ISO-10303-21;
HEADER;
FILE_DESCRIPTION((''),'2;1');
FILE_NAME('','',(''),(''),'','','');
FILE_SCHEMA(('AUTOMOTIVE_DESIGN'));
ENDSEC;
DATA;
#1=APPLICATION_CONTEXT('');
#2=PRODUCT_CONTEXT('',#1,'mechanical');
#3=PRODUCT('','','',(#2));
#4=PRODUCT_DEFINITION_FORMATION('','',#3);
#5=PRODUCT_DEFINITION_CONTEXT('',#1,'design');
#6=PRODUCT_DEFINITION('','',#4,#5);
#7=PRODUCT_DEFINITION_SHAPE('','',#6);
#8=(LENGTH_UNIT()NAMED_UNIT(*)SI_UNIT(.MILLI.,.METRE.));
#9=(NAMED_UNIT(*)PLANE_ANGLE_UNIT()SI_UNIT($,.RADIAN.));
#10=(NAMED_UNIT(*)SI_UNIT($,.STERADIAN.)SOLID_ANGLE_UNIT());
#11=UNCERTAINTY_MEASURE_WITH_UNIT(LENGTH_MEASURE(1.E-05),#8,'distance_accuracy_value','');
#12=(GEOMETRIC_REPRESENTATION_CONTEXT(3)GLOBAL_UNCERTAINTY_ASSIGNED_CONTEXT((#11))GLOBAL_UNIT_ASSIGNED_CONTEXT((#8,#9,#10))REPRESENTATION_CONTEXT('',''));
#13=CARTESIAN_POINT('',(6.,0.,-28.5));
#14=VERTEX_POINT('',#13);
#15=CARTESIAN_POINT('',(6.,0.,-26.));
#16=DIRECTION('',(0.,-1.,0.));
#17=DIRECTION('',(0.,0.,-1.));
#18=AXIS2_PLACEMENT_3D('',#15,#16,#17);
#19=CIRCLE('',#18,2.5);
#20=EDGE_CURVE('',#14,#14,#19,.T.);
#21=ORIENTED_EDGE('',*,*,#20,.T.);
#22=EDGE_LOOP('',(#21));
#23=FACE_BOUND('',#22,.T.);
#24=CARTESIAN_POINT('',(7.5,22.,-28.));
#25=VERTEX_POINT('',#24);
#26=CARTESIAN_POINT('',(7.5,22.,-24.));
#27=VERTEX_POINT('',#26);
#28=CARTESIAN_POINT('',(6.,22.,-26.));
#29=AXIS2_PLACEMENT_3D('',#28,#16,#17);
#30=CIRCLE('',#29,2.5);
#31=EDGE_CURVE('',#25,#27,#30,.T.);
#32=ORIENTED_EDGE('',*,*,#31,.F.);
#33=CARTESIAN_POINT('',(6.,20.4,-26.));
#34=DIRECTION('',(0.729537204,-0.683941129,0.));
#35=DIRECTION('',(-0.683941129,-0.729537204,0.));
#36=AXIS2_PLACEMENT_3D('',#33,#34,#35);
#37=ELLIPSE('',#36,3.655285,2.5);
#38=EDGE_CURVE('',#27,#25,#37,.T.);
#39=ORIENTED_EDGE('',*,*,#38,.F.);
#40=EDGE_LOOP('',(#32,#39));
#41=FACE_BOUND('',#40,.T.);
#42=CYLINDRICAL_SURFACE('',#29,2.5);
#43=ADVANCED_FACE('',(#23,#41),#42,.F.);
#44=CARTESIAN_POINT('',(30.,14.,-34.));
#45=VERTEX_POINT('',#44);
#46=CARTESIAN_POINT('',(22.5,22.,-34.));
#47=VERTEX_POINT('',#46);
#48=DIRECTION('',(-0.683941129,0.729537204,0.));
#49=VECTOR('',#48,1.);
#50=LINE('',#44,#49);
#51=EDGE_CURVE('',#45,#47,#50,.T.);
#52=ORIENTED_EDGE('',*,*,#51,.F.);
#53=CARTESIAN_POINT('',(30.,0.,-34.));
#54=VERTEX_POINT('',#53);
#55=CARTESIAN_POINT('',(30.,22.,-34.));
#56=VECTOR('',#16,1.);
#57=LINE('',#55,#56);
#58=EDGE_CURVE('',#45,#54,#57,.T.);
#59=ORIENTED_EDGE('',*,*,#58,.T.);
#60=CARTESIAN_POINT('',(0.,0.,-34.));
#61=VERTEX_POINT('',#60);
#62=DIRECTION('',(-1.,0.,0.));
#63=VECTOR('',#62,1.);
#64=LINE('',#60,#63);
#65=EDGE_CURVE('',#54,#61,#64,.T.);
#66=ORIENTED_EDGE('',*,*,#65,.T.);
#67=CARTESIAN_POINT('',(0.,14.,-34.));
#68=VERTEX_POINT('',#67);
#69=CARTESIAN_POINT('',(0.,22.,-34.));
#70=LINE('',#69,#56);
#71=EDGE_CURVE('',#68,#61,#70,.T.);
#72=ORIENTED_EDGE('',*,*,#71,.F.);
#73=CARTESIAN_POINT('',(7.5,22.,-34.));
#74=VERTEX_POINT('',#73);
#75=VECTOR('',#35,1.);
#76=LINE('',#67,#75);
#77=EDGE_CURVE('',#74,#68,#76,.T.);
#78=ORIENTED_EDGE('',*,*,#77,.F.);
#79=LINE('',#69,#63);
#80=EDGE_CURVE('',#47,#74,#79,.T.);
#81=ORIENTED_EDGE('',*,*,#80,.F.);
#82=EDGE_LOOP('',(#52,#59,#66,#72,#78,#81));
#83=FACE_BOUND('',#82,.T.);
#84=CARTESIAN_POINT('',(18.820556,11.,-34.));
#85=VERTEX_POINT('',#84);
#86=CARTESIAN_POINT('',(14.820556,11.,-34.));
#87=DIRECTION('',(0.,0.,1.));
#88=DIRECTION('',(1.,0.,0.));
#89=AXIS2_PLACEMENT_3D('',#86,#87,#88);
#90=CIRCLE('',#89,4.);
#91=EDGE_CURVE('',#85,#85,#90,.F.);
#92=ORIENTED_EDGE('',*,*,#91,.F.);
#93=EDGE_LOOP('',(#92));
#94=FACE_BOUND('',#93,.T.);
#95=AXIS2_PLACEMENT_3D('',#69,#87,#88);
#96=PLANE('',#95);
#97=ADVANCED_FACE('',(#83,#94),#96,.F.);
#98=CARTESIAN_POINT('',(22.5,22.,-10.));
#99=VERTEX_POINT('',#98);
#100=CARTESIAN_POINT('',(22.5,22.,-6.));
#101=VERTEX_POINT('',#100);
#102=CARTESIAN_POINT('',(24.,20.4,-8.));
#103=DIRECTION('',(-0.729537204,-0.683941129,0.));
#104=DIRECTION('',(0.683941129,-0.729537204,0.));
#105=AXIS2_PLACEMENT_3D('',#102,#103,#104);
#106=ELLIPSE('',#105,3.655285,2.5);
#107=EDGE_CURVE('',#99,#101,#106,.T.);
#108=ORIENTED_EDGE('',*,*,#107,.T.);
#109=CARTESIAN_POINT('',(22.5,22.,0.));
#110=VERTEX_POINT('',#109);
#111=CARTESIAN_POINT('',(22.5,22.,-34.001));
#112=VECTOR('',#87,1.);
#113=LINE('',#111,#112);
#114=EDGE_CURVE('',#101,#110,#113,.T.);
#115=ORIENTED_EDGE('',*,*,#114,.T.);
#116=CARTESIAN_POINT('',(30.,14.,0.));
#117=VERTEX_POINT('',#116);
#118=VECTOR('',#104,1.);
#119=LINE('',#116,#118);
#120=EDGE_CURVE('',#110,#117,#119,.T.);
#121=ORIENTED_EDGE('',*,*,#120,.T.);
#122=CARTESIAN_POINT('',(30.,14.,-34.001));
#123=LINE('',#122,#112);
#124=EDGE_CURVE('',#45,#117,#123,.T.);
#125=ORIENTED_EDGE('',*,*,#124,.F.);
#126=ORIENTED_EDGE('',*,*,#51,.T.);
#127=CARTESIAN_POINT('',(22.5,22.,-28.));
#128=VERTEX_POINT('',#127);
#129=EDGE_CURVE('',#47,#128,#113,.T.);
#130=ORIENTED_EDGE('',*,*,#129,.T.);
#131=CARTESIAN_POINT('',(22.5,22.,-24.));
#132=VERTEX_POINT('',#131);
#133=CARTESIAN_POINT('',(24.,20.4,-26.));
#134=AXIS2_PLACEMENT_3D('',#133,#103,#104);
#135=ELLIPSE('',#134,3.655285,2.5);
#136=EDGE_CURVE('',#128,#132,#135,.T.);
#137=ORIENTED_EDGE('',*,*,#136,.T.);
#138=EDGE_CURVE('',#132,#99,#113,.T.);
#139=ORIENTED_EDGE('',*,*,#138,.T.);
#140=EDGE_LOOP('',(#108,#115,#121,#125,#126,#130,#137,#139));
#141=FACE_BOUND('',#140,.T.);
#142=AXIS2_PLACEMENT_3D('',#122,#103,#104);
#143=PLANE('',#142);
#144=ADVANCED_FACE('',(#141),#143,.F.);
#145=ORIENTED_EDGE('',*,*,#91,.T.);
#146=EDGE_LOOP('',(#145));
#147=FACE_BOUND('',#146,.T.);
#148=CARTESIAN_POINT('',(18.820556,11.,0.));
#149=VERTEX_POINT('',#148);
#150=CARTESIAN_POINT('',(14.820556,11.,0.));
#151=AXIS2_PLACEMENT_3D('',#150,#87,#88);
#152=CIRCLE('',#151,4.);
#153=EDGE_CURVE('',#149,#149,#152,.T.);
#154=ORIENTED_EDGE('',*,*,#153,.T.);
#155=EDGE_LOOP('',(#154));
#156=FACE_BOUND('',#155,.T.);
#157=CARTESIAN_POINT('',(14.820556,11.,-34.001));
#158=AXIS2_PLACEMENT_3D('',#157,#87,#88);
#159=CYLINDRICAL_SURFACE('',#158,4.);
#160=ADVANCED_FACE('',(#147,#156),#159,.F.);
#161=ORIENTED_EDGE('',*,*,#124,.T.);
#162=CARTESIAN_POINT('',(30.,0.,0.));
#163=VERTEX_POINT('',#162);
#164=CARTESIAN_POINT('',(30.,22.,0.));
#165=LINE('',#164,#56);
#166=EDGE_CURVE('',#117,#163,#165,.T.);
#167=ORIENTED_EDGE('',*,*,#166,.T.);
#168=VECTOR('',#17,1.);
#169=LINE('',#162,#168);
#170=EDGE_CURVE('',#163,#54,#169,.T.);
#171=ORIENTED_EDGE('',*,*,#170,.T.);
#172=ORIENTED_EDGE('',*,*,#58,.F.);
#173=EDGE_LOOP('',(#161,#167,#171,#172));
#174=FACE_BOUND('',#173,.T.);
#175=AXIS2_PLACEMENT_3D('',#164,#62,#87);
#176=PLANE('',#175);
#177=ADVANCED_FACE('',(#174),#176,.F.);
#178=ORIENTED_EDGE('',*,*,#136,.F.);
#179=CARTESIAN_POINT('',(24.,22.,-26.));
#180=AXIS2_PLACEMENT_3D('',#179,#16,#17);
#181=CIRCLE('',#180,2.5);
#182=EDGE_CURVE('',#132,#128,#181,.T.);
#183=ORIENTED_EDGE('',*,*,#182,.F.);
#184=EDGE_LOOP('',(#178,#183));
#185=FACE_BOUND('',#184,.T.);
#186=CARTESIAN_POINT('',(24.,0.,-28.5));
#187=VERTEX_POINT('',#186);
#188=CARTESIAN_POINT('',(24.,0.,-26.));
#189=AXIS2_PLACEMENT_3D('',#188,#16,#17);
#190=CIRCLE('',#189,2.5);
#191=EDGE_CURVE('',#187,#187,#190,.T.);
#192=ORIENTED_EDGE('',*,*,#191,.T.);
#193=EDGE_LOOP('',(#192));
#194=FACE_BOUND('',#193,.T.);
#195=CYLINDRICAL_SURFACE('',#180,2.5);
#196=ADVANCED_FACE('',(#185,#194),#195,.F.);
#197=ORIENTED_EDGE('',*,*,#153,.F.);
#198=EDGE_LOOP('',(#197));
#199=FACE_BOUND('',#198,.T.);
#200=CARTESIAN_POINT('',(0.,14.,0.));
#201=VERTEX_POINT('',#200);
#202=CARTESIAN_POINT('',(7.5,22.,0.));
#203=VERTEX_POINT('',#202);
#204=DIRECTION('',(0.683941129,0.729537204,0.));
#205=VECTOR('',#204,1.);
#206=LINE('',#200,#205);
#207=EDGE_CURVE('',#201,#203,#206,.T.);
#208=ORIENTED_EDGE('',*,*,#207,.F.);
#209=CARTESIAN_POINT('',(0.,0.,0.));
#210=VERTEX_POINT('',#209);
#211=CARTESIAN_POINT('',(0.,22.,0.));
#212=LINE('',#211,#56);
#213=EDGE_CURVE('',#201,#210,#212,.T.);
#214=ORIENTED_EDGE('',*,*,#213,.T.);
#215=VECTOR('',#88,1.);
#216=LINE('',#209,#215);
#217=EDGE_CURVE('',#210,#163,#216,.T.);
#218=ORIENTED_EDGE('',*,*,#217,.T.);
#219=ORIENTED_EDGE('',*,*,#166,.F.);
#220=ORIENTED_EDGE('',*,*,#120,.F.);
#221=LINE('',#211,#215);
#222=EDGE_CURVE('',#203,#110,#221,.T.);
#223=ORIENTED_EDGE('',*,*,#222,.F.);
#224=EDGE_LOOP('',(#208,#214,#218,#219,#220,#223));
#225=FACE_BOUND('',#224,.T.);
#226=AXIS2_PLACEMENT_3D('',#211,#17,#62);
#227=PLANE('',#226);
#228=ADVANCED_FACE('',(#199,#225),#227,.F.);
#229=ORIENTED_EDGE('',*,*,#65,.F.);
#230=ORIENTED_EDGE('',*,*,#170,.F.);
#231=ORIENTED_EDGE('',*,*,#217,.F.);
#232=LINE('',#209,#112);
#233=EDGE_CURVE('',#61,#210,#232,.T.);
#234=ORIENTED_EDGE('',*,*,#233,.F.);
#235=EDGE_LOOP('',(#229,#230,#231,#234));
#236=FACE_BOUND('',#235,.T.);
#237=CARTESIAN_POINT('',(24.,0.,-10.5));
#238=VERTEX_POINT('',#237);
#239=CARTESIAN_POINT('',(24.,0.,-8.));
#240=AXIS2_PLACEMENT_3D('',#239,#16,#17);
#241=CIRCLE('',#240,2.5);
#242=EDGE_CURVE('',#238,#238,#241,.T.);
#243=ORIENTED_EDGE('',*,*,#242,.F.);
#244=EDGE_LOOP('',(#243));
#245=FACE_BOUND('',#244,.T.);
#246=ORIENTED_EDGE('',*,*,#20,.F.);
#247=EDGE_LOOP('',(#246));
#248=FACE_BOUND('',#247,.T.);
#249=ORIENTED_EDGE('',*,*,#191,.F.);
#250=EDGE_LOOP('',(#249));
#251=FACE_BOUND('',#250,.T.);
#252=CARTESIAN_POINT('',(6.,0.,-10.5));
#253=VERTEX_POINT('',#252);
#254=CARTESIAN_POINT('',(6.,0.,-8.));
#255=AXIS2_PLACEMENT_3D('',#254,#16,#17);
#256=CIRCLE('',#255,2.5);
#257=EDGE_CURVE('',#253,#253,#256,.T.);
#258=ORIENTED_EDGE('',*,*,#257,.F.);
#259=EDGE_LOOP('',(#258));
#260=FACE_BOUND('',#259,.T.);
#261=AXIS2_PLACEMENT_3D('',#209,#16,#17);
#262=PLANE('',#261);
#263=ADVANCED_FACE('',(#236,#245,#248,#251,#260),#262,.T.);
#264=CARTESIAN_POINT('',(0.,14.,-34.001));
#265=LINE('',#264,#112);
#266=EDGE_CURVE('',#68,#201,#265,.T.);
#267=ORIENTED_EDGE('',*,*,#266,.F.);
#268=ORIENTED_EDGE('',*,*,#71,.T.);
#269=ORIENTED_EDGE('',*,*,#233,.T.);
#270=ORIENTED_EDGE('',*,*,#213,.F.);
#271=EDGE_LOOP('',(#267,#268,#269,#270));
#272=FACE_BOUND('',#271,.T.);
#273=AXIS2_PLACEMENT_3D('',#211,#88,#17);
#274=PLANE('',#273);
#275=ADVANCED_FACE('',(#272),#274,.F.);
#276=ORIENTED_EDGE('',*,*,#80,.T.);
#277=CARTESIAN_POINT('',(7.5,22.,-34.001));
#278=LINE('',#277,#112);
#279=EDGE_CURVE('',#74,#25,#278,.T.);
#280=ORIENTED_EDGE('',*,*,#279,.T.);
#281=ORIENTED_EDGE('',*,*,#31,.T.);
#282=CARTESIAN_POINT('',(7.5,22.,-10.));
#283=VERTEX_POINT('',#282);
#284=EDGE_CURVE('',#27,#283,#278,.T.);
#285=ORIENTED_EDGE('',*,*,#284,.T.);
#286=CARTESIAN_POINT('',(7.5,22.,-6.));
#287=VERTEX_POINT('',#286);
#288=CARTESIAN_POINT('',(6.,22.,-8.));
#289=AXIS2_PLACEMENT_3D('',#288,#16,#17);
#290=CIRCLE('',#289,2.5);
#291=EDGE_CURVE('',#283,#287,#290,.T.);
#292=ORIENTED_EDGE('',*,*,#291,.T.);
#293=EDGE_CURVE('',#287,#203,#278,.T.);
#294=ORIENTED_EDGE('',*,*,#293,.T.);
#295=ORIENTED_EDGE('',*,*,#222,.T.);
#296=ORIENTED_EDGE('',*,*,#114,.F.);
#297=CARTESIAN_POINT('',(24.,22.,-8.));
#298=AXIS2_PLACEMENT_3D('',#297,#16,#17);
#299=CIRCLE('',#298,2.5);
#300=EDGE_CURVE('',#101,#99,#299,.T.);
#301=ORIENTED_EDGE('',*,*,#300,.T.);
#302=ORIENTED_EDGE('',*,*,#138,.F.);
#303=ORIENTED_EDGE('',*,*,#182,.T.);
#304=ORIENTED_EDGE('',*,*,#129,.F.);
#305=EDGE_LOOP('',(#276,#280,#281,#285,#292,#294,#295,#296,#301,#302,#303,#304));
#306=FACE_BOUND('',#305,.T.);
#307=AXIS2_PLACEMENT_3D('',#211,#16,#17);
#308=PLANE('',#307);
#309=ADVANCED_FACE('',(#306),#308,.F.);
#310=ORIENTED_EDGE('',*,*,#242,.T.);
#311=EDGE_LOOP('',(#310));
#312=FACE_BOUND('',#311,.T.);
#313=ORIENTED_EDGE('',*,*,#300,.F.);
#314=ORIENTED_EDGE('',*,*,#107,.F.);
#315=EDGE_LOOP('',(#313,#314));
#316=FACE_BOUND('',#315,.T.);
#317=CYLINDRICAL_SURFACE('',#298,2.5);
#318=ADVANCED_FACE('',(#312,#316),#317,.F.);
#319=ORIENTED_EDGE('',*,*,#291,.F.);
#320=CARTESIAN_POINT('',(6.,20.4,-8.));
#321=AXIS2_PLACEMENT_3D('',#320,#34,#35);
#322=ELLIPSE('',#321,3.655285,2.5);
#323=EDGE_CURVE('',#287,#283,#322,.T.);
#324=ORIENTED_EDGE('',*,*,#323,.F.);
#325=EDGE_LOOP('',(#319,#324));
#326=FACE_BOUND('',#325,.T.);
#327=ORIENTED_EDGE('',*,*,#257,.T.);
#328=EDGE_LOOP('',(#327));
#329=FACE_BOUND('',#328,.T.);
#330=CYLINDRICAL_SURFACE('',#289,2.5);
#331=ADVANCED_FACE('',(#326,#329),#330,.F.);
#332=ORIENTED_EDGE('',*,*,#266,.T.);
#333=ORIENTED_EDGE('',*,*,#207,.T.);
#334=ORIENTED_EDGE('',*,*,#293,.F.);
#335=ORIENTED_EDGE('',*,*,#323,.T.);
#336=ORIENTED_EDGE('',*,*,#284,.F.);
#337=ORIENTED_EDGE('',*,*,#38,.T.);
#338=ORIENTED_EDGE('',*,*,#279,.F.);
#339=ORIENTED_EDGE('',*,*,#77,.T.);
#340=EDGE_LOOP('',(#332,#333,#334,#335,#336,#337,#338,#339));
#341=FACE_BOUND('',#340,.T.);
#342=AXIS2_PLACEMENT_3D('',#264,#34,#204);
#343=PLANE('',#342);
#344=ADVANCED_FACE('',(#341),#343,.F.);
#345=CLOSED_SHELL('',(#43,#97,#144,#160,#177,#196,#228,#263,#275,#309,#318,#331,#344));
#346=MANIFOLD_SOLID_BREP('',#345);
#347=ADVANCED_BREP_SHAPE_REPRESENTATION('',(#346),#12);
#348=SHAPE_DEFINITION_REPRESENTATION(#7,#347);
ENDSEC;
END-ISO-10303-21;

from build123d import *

# Parameters (mm, degrees)
SKETCH1_W           = 30
SKETCH1_H           = 34
BOSS_EXTRUDE1_DEPTH = 22
CUT_EXTRUDE1_REACH  = 52.398
SKETCH2_R           = 4
SKETCH3_R           = 2.5
CUT_EXTRUDE2_DEPTH  = 22


with BuildPart() as part:
    # Sketch1 → Boss-Extrude1 (new body)
    with BuildSketch(Plane(origin=(0, 0, 0), x_dir=(1, 0, 0), z_dir=(0, 1, 0))):
        with Locations((15, 17)):
            Rectangle(SKETCH1_W, SKETCH1_H)
    extrude(amount=BOSS_EXTRUDE1_DEPTH)

    # Sketch2 → Cut-Extrude1 (cut, up to next)
    with BuildSketch(Plane.XY, mode=Mode.PRIVATE) as cut_extrude1_sk1:
        with Locations((14.820555819, 11)):
            Circle(SKETCH2_R)
    cut_extrude1_tool1 = extrude(cut_extrude1_sk1.sketch, amount=-CUT_EXTRUDE1_REACH, mode=Mode.PRIVATE) & part.part
    # Sketch2 → Cut-Extrude1 (cut, up to next)
    with BuildSketch(Plane.XY, mode=Mode.PRIVATE) as cut_extrude1_sk2:
        Polygon((0, 14), (7.5, 22), (0, 22), align=None)
    cut_extrude1_tool2 = extrude(cut_extrude1_sk2.sketch, amount=-CUT_EXTRUDE1_REACH, mode=Mode.PRIVATE) & part.part
    # Sketch2 → Cut-Extrude1 (cut, up to next)
    with BuildSketch(Plane.XY, mode=Mode.PRIVATE) as cut_extrude1_sk3:
        Polygon((30, 14), (22.5, 22), (30, 22), align=None)
    cut_extrude1_tool3 = extrude(cut_extrude1_sk3.sketch, amount=-CUT_EXTRUDE1_REACH, mode=Mode.PRIVATE) & part.part
    add(cut_extrude1_tool1.solids().sort_by_distance((14.820556, 11, 0))[0], mode=Mode.SUBTRACT)
    add(cut_extrude1_tool2.solids().sort_by_distance((2.5, 19.333333, 0))[0], mode=Mode.SUBTRACT)
    add(cut_extrude1_tool3.solids().sort_by_distance((27.5, 19.333333, 0))[0], mode=Mode.SUBTRACT)

    # Sketch3 → Cut-Extrude2 (cut)
    with BuildSketch(Plane.XZ):
        with Locations(Location((6, -8, 0), (0, 0, 270))):
            Circle(SKETCH3_R)
        with Locations(Location((24, -8, 0), (0, 0, 270))):
            Circle(SKETCH3_R)
        with Locations(Location((24, -26, 0), (0, 0, 270))):
            Circle(SKETCH3_R)
        with Locations(Location((6, -26, 0), (0, 0, 270))):
            Circle(SKETCH3_R)
    extrude(amount=-CUT_EXTRUDE2_DEPTH, mode=Mode.SUBTRACT)


solid = part.part
